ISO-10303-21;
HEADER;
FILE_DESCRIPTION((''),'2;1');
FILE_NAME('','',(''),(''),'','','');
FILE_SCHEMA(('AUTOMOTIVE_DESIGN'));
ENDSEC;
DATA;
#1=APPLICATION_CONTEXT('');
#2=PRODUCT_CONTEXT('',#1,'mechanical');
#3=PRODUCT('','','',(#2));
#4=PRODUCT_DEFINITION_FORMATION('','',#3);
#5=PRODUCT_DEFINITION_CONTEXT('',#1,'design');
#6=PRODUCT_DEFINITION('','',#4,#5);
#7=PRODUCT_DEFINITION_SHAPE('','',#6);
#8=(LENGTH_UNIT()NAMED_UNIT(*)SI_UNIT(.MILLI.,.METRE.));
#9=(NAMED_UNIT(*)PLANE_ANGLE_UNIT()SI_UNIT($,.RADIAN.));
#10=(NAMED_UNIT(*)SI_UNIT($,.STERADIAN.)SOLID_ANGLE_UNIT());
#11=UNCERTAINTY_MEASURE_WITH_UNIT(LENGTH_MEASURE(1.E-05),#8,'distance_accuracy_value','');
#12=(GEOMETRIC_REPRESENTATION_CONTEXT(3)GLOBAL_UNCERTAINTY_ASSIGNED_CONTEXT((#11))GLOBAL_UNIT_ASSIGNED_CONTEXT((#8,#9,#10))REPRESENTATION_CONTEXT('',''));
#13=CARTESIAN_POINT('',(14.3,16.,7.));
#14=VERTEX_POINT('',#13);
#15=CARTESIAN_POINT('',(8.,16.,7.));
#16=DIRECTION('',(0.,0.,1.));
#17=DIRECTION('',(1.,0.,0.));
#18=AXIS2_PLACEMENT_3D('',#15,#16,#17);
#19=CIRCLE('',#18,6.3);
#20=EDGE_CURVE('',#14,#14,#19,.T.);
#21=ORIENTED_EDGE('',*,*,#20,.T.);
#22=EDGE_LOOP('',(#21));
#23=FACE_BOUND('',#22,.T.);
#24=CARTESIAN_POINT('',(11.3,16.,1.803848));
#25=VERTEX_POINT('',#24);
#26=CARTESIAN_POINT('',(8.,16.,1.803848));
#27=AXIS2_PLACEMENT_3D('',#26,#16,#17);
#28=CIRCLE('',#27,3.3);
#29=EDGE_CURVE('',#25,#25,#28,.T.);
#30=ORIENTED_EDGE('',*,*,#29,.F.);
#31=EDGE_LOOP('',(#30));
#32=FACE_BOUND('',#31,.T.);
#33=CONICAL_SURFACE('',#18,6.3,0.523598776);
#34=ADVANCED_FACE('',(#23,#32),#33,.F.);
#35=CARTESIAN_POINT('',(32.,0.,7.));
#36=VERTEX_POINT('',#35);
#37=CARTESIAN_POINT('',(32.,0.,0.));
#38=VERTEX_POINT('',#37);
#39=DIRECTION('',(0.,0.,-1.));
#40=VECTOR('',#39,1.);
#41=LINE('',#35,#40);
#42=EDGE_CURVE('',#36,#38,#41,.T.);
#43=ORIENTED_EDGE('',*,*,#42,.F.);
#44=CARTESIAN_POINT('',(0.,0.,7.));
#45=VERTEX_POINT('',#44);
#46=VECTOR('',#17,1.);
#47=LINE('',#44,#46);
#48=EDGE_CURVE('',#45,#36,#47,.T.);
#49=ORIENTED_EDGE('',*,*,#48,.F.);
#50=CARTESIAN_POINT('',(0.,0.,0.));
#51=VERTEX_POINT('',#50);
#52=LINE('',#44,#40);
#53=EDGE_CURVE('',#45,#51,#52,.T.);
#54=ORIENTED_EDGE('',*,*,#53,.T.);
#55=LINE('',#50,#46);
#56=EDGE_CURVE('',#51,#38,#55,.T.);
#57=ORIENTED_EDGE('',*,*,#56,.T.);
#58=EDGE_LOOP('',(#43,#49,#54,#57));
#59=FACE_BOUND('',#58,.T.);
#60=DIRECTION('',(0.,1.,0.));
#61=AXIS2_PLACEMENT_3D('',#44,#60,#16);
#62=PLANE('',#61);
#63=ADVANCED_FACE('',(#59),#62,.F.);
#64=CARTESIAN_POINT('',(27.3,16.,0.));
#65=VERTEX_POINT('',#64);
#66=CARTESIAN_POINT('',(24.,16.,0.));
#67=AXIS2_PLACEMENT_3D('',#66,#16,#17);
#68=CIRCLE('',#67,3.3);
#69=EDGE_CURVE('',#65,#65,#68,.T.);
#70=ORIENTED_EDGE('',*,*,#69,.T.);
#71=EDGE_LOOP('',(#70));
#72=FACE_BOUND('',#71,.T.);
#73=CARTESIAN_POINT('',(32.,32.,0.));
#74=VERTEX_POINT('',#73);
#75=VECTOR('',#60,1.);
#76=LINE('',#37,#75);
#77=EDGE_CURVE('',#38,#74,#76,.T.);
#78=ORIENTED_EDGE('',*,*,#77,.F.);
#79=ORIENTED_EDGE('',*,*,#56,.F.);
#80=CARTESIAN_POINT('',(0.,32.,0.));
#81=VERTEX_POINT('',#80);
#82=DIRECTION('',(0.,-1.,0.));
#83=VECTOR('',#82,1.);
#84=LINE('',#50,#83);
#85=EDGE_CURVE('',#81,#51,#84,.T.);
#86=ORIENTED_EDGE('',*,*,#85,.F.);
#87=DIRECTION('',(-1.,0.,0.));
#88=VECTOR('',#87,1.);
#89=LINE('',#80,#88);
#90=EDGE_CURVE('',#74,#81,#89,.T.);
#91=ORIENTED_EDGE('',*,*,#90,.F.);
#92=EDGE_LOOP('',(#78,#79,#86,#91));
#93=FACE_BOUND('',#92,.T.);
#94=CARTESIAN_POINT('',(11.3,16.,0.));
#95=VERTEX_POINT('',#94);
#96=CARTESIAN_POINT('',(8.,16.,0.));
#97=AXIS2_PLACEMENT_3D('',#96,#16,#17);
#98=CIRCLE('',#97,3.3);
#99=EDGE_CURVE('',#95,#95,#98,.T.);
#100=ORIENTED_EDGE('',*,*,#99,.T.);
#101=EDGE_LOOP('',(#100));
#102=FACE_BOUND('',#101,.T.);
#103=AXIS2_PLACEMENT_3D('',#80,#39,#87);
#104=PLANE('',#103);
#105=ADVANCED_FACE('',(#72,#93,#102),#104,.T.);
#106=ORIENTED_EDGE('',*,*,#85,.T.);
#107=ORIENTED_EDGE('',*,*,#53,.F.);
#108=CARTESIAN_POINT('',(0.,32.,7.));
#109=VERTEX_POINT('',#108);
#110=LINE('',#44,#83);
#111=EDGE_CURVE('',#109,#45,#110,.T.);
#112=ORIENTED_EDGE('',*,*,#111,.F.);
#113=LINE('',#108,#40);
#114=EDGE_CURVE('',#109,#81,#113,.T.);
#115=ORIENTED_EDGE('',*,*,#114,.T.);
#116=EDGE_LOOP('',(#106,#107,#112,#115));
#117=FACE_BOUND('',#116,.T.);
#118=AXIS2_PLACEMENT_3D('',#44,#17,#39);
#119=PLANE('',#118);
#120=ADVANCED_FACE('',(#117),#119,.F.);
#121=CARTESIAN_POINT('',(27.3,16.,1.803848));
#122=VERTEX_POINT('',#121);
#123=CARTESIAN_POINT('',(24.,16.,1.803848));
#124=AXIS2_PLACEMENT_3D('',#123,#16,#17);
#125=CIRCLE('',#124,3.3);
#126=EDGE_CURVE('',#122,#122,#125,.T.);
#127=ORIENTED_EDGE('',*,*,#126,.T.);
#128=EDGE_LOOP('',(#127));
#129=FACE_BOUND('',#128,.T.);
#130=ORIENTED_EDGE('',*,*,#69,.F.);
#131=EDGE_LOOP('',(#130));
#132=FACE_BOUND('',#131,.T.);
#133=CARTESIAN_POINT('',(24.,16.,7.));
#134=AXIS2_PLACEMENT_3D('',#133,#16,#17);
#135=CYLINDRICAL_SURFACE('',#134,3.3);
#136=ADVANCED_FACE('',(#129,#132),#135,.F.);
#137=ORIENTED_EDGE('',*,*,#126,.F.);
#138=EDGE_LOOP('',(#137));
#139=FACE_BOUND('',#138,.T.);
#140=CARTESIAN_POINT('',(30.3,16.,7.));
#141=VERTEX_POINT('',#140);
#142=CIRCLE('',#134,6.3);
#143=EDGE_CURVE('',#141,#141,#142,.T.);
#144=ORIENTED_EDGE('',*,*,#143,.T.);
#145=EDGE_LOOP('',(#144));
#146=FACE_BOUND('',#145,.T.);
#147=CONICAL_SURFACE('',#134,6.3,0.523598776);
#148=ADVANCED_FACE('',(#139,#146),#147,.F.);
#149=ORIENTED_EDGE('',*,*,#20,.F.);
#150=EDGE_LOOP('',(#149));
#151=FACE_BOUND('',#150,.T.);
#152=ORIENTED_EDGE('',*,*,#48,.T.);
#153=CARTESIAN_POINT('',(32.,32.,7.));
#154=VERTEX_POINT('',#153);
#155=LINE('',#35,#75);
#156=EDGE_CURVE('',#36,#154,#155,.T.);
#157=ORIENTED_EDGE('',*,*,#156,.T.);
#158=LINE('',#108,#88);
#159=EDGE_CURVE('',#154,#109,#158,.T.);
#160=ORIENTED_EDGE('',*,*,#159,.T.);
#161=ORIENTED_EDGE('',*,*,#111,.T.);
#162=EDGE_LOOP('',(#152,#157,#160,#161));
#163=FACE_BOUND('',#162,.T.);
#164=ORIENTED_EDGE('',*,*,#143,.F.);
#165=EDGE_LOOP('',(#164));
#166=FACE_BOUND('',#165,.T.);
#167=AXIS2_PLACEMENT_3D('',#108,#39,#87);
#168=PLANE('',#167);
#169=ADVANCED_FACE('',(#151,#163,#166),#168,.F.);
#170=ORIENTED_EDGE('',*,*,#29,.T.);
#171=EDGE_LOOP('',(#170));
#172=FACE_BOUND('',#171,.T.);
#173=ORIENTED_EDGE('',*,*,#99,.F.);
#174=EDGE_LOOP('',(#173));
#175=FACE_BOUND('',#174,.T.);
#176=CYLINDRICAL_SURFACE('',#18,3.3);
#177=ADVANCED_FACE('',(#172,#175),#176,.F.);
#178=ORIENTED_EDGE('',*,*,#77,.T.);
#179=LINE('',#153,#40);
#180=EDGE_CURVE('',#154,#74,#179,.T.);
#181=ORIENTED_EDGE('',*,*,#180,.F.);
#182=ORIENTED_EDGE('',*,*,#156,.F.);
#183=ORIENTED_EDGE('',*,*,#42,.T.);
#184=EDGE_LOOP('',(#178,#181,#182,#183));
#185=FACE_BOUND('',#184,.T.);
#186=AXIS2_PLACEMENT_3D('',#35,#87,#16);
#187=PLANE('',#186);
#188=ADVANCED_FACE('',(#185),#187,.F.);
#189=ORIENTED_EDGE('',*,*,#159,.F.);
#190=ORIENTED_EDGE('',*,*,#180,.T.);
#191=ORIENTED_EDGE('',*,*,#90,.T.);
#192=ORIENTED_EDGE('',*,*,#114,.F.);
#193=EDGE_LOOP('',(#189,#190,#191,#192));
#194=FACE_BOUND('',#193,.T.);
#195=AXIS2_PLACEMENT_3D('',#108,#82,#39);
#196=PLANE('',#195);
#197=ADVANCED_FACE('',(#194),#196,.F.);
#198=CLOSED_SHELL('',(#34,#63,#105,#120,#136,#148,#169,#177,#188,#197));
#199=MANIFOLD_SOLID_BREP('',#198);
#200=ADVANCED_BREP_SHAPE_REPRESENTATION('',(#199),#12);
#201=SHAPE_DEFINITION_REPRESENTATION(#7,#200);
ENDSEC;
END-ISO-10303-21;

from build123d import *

# Parameters (mm, degrees)
SKETCH1_W                                      = 32
SKETCH1_H                                      = 32
EXTRUDE2_DEPTH                                 = 7
CSK_FOR_M6_FLAT_HEAD_MACHINE_SCREW1_AT_2_COUNT = 2
CSK_FOR_M6_FLAT_HEAD_MACHINE_SCREW1_AT_2_PITCH = 16


with BuildPart() as part:
    # Sketch1 → Extrude2 (new body)
    with BuildSketch(Plane.XY):
        with Locations((16, 16)):
            Rectangle(SKETCH1_W, SKETCH1_H)
    extrude(amount=EXTRUDE2_DEPTH)

    # Sketch2 → CSK for M6 Flat Head Machine Screw1 (revolve, cut)
    with BuildSketch(Plane(origin=(8, 16, 7), x_dir=(0, -1, 0), z_dir=(1, 0, 0))):
        Polygon((0, 0), (0, 7), (3.3, 7), (3.3, 5.196152423), (6.3, 0), align=None)
    csk_for_m6_flat_head_machine_screw1 = revolve(axis=Axis((8, 16, 13.35), (0, 0, -1)), mode=Mode.SUBTRACT)

    # CSK for M6 Flat Head Machine Screw1 at 2: CSK for M6 Flat Head Machine Screw1 ×2
    with Locations(*[(i * CSK_FOR_M6_FLAT_HEAD_MACHINE_SCREW1_AT_2_PITCH, 0, 0) for i in range(1, CSK_FOR_M6_FLAT_HEAD_MACHINE_SCREW1_AT_2_COUNT)]):
        add(csk_for_m6_flat_head_machine_screw1, mode=Mode.SUBTRACT)


solid = part.part
